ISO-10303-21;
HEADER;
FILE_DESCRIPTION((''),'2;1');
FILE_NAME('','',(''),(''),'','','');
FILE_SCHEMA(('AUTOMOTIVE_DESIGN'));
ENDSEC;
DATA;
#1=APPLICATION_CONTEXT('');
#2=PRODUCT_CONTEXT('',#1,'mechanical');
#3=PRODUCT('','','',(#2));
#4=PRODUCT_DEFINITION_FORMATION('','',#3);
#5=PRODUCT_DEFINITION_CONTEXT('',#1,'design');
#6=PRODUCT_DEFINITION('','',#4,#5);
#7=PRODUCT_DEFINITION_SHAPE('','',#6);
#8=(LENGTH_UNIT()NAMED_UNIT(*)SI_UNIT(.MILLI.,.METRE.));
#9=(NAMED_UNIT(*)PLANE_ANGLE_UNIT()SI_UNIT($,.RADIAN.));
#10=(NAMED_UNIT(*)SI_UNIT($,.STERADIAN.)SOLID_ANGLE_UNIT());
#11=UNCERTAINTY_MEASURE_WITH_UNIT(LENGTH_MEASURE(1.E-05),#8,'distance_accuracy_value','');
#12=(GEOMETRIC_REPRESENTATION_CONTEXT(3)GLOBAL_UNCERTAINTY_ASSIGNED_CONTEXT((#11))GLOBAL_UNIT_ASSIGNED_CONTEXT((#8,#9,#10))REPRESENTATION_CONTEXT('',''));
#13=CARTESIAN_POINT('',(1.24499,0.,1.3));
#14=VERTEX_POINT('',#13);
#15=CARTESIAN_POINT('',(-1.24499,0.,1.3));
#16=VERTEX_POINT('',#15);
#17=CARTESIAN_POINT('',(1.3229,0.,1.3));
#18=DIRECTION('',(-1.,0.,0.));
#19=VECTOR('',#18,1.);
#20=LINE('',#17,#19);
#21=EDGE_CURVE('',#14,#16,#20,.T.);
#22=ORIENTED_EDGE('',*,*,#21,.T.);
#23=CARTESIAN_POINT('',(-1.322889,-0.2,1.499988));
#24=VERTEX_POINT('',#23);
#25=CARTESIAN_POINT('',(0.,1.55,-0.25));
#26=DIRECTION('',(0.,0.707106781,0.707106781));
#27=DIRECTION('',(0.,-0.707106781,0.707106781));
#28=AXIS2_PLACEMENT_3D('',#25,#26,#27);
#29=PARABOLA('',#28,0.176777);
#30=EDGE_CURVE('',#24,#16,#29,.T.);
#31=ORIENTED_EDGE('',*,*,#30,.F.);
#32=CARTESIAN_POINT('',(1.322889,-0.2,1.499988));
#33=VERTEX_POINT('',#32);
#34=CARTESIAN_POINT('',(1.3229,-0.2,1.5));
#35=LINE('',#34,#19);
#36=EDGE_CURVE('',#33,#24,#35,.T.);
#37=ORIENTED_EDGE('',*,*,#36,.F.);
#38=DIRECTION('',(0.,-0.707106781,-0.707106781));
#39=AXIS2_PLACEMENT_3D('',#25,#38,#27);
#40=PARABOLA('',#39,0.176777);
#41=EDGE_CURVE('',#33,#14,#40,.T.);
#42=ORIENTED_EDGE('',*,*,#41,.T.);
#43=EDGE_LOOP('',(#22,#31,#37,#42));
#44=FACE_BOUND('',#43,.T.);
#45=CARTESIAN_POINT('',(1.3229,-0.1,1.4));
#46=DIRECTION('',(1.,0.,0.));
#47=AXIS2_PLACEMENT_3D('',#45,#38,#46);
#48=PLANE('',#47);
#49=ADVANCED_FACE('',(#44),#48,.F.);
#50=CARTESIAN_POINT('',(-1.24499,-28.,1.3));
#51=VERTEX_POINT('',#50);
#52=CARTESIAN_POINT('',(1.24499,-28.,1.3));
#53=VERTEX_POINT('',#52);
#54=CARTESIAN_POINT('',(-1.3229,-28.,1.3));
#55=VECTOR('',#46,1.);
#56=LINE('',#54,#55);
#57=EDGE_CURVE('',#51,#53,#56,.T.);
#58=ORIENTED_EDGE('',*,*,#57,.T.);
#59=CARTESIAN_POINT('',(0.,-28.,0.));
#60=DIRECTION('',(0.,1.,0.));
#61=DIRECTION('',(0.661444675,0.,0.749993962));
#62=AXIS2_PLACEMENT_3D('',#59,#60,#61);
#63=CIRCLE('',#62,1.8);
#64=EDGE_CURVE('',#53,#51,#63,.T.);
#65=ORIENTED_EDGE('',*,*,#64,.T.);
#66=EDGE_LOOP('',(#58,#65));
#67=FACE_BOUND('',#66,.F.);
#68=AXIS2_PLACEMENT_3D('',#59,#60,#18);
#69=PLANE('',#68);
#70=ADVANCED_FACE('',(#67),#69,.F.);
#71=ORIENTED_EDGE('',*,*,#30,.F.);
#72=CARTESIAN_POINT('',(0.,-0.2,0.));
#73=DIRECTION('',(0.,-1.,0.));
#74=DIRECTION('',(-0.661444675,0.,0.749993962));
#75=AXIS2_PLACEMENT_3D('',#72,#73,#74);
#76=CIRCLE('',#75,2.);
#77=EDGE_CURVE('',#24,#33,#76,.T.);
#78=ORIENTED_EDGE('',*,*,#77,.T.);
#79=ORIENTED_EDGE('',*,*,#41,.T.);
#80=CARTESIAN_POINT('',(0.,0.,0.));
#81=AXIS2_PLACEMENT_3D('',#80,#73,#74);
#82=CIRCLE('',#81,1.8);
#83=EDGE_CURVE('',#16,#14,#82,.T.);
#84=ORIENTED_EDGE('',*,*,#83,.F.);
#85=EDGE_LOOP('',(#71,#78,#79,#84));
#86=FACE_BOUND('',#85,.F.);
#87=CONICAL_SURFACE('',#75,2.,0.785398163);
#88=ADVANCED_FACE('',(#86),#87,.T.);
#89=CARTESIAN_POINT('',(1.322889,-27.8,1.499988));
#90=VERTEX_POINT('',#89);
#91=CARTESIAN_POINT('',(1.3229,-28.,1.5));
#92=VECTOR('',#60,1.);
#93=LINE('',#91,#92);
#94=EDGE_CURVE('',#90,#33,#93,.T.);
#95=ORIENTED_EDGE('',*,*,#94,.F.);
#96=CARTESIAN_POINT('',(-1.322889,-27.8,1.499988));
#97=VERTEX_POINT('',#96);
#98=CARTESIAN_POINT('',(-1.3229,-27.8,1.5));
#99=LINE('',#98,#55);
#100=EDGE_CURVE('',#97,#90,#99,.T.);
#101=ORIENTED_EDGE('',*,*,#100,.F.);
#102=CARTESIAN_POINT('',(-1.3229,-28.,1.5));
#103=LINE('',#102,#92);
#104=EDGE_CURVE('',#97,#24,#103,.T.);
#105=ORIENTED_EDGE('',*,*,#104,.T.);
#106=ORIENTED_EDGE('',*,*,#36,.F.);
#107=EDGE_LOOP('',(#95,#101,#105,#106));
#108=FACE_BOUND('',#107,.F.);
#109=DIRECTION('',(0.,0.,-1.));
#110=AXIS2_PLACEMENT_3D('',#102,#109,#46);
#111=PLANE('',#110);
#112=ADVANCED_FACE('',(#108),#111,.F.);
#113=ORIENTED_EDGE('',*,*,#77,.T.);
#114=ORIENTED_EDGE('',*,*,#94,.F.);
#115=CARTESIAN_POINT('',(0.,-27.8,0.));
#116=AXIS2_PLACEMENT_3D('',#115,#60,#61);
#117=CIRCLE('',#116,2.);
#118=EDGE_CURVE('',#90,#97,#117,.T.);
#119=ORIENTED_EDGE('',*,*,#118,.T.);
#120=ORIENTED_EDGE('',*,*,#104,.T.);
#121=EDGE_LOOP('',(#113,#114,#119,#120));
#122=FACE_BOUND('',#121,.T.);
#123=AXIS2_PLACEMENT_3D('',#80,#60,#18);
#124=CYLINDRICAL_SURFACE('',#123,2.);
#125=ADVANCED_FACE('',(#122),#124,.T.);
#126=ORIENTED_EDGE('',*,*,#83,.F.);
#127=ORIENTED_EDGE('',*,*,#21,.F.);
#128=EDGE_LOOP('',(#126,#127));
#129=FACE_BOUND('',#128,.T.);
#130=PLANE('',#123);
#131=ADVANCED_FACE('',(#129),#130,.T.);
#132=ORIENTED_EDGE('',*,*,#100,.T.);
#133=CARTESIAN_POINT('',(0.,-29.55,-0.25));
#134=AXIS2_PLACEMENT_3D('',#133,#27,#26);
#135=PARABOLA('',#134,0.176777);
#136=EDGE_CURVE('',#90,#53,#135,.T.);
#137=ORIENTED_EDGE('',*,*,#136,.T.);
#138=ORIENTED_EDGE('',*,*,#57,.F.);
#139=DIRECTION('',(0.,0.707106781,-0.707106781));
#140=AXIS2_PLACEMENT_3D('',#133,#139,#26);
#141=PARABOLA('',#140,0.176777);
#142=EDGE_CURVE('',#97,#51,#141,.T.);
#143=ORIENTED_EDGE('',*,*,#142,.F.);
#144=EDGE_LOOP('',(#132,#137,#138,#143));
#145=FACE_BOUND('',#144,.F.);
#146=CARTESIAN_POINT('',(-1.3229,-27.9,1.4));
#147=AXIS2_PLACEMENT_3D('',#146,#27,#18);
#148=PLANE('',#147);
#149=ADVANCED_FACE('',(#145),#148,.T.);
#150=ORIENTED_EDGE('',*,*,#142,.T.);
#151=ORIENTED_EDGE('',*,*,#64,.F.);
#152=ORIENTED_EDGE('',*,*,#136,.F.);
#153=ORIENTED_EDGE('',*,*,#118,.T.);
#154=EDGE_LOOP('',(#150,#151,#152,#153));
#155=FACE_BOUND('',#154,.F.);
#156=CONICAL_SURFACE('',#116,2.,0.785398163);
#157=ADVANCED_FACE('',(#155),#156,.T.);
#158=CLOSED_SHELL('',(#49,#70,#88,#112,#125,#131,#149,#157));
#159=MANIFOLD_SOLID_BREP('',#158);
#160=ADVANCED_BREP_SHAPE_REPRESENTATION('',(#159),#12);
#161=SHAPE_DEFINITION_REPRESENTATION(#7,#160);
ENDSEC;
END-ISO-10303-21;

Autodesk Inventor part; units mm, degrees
ref_plane "YZ Plane" through (0, 0, 0) normal (1, 0, 0) x (0, 1, 0)
ref_plane "XZ Plane" through (0, 0, 0) normal (0, 1, 0) x (-1, 0, 0)
ref_plane "XY Plane" through (0, 0, 0) normal (0, 0, 1) x (1, 0, 0)
sketch "Sketch1" plane through (0, 0, 0) normal (0, 1, 0) x (-1, 0, 0)
  circle A0 centre (0, 0) radius 2
  dimension "d0" = 4
extrude "Extrusion1" add sketch "Sketch1" against normal blind 28
sketch "Sketch2" plane through (0, -28, 0) normal (0, -1, 0) x (1, 0, 0)
  circle A0 centre (0, 0) radius 2 projected
  line L0 (-1.3229, 1.5) -> (1.3229, 1.5)
  circle A1 centre (0, 0) radius 2 projected
  dimension "d3" = 0.5
extrude "Extrusion2" cut sketch "Sketch2" against normal through all contours L0 A0 picked at (-0.3089, 1.5908)
chamfer "Chamfer1" distance 0.2 angle 45 4 edges at (0, -28, -2) (0, -28, 1.5) (0, 0, -2) (0, 0, 1.5)
properties part number "10-0028" material "Aluminum 6061"
